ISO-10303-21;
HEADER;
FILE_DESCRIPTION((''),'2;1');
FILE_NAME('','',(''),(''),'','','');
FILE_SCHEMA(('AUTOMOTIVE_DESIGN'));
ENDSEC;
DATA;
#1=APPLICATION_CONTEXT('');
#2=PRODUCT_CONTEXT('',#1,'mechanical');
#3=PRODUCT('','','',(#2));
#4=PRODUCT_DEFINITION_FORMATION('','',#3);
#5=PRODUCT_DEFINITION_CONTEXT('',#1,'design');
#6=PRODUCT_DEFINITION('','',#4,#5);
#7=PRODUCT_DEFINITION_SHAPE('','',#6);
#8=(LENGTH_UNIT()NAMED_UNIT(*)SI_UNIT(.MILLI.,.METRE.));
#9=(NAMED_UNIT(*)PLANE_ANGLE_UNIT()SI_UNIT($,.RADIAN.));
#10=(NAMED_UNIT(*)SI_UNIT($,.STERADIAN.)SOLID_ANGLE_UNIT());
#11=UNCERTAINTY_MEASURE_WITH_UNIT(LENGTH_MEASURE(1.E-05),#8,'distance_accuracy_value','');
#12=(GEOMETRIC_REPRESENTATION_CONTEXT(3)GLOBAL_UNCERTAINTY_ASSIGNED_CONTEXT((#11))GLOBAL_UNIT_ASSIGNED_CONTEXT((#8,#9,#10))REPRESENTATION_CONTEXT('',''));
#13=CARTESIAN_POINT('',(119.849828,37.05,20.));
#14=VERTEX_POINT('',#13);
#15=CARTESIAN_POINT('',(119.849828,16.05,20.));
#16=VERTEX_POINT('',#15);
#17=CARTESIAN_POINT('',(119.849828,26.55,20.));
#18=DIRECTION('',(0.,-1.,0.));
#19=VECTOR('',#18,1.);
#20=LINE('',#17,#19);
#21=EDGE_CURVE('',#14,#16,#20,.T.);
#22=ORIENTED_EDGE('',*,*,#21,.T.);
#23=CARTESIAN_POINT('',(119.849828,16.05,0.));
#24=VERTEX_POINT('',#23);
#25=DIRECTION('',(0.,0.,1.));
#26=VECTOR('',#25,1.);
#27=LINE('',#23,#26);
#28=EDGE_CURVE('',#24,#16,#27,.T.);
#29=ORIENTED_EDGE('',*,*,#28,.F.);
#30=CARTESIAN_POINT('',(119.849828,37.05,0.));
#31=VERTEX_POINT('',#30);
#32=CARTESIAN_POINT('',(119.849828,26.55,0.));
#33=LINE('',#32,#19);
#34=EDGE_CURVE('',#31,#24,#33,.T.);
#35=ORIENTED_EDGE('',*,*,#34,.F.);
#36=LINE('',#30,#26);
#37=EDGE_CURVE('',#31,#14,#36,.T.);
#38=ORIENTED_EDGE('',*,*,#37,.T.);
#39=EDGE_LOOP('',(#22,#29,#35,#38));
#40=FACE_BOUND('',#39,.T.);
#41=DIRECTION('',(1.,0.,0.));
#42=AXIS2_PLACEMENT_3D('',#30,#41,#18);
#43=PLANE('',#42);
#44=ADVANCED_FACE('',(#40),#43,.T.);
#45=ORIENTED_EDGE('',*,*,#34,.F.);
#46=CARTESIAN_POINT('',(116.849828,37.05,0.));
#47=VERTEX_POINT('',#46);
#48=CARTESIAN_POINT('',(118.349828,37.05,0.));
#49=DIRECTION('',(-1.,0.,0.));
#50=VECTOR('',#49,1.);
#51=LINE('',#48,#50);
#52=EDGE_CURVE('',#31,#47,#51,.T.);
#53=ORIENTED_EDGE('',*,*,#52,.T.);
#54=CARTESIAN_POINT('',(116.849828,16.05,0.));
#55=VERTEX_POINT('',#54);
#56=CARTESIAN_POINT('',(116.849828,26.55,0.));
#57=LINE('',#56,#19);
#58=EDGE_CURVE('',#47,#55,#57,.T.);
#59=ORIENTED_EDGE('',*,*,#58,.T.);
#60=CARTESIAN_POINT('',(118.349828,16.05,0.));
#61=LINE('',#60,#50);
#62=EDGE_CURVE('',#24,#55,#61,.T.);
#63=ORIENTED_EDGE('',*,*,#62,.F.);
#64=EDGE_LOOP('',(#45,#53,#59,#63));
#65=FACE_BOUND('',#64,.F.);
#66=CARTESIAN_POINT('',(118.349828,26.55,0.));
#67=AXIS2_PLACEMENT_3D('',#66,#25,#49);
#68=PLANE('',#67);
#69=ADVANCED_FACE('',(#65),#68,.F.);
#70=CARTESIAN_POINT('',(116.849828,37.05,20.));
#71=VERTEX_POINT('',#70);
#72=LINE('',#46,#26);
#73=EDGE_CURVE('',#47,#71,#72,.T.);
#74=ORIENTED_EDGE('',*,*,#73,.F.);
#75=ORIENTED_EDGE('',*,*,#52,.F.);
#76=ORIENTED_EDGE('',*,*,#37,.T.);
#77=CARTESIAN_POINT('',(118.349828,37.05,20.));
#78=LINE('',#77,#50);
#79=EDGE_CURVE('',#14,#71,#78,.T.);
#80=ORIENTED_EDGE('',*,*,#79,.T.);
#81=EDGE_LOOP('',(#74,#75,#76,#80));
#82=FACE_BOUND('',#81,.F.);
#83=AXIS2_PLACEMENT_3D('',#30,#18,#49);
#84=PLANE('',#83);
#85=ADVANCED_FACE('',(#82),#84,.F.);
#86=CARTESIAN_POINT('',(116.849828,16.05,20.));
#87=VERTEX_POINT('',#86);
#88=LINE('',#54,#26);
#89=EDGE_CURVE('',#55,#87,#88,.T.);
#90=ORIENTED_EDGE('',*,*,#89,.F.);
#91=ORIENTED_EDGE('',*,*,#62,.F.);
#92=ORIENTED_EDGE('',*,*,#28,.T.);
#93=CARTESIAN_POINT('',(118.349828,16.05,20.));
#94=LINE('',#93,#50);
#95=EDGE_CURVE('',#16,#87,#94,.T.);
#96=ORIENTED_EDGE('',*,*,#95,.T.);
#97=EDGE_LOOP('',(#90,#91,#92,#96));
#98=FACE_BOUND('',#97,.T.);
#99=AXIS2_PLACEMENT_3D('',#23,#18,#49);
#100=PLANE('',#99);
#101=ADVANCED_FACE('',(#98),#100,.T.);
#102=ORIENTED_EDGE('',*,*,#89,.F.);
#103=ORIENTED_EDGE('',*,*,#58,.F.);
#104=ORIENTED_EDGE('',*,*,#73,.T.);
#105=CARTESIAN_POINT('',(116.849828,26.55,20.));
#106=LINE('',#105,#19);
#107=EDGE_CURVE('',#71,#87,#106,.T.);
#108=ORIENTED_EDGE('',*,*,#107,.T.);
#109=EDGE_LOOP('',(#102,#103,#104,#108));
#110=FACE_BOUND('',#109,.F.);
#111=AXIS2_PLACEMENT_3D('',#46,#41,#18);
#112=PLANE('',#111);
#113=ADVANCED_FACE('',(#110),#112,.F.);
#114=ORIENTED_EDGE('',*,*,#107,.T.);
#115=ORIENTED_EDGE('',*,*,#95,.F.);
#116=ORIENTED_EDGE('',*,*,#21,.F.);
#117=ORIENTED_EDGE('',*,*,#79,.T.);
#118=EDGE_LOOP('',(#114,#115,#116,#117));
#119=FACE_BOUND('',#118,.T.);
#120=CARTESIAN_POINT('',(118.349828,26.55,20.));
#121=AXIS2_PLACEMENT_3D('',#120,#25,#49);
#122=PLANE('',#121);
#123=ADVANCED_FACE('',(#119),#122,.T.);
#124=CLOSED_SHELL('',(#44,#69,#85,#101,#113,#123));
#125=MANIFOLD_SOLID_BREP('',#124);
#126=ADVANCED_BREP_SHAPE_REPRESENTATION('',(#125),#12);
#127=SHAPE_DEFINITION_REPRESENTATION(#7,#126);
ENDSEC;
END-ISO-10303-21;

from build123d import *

# Parameters (mm, degrees)
SKETCH005_W  = 3
SKETCH005_H  = 21
PAD005_DEPTH = 20


with BuildPart() as acr_side_fl:
    # Sketch005 → Pad005 (new body)
    with BuildSketch(Plane.XY):
        with Locations((-118.349828, -27.05)):
            Rectangle(SKETCH005_W, SKETCH005_H)
    extrude(amount=PAD005_DEPTH)


with BuildPart() as acr_side_bl:
    # Part__Mirroring006: instance of ACR_Side_FL
    add(acr_side_fl.part.mirror(Plane(origin=(0, 0, 0), x_dir=(1, 0, 0), z_dir=(0, 1, 0))))


with BuildPart() as acr_side_bl_1:
    # Part__Mirroring006 placement: moved
    add(acr_side_bl.part.moved(Location((0, -0.5, 0))))


with BuildPart() as acr_side_br:
    # Part__Mirroring008: instance of ACR_Side_BL
    add(acr_side_bl_1.part.mirror(Plane(origin=(0, 0, 0), x_dir=(0, -1, 0), z_dir=(1, 0, 0))))


solid = acr_side_br.part
